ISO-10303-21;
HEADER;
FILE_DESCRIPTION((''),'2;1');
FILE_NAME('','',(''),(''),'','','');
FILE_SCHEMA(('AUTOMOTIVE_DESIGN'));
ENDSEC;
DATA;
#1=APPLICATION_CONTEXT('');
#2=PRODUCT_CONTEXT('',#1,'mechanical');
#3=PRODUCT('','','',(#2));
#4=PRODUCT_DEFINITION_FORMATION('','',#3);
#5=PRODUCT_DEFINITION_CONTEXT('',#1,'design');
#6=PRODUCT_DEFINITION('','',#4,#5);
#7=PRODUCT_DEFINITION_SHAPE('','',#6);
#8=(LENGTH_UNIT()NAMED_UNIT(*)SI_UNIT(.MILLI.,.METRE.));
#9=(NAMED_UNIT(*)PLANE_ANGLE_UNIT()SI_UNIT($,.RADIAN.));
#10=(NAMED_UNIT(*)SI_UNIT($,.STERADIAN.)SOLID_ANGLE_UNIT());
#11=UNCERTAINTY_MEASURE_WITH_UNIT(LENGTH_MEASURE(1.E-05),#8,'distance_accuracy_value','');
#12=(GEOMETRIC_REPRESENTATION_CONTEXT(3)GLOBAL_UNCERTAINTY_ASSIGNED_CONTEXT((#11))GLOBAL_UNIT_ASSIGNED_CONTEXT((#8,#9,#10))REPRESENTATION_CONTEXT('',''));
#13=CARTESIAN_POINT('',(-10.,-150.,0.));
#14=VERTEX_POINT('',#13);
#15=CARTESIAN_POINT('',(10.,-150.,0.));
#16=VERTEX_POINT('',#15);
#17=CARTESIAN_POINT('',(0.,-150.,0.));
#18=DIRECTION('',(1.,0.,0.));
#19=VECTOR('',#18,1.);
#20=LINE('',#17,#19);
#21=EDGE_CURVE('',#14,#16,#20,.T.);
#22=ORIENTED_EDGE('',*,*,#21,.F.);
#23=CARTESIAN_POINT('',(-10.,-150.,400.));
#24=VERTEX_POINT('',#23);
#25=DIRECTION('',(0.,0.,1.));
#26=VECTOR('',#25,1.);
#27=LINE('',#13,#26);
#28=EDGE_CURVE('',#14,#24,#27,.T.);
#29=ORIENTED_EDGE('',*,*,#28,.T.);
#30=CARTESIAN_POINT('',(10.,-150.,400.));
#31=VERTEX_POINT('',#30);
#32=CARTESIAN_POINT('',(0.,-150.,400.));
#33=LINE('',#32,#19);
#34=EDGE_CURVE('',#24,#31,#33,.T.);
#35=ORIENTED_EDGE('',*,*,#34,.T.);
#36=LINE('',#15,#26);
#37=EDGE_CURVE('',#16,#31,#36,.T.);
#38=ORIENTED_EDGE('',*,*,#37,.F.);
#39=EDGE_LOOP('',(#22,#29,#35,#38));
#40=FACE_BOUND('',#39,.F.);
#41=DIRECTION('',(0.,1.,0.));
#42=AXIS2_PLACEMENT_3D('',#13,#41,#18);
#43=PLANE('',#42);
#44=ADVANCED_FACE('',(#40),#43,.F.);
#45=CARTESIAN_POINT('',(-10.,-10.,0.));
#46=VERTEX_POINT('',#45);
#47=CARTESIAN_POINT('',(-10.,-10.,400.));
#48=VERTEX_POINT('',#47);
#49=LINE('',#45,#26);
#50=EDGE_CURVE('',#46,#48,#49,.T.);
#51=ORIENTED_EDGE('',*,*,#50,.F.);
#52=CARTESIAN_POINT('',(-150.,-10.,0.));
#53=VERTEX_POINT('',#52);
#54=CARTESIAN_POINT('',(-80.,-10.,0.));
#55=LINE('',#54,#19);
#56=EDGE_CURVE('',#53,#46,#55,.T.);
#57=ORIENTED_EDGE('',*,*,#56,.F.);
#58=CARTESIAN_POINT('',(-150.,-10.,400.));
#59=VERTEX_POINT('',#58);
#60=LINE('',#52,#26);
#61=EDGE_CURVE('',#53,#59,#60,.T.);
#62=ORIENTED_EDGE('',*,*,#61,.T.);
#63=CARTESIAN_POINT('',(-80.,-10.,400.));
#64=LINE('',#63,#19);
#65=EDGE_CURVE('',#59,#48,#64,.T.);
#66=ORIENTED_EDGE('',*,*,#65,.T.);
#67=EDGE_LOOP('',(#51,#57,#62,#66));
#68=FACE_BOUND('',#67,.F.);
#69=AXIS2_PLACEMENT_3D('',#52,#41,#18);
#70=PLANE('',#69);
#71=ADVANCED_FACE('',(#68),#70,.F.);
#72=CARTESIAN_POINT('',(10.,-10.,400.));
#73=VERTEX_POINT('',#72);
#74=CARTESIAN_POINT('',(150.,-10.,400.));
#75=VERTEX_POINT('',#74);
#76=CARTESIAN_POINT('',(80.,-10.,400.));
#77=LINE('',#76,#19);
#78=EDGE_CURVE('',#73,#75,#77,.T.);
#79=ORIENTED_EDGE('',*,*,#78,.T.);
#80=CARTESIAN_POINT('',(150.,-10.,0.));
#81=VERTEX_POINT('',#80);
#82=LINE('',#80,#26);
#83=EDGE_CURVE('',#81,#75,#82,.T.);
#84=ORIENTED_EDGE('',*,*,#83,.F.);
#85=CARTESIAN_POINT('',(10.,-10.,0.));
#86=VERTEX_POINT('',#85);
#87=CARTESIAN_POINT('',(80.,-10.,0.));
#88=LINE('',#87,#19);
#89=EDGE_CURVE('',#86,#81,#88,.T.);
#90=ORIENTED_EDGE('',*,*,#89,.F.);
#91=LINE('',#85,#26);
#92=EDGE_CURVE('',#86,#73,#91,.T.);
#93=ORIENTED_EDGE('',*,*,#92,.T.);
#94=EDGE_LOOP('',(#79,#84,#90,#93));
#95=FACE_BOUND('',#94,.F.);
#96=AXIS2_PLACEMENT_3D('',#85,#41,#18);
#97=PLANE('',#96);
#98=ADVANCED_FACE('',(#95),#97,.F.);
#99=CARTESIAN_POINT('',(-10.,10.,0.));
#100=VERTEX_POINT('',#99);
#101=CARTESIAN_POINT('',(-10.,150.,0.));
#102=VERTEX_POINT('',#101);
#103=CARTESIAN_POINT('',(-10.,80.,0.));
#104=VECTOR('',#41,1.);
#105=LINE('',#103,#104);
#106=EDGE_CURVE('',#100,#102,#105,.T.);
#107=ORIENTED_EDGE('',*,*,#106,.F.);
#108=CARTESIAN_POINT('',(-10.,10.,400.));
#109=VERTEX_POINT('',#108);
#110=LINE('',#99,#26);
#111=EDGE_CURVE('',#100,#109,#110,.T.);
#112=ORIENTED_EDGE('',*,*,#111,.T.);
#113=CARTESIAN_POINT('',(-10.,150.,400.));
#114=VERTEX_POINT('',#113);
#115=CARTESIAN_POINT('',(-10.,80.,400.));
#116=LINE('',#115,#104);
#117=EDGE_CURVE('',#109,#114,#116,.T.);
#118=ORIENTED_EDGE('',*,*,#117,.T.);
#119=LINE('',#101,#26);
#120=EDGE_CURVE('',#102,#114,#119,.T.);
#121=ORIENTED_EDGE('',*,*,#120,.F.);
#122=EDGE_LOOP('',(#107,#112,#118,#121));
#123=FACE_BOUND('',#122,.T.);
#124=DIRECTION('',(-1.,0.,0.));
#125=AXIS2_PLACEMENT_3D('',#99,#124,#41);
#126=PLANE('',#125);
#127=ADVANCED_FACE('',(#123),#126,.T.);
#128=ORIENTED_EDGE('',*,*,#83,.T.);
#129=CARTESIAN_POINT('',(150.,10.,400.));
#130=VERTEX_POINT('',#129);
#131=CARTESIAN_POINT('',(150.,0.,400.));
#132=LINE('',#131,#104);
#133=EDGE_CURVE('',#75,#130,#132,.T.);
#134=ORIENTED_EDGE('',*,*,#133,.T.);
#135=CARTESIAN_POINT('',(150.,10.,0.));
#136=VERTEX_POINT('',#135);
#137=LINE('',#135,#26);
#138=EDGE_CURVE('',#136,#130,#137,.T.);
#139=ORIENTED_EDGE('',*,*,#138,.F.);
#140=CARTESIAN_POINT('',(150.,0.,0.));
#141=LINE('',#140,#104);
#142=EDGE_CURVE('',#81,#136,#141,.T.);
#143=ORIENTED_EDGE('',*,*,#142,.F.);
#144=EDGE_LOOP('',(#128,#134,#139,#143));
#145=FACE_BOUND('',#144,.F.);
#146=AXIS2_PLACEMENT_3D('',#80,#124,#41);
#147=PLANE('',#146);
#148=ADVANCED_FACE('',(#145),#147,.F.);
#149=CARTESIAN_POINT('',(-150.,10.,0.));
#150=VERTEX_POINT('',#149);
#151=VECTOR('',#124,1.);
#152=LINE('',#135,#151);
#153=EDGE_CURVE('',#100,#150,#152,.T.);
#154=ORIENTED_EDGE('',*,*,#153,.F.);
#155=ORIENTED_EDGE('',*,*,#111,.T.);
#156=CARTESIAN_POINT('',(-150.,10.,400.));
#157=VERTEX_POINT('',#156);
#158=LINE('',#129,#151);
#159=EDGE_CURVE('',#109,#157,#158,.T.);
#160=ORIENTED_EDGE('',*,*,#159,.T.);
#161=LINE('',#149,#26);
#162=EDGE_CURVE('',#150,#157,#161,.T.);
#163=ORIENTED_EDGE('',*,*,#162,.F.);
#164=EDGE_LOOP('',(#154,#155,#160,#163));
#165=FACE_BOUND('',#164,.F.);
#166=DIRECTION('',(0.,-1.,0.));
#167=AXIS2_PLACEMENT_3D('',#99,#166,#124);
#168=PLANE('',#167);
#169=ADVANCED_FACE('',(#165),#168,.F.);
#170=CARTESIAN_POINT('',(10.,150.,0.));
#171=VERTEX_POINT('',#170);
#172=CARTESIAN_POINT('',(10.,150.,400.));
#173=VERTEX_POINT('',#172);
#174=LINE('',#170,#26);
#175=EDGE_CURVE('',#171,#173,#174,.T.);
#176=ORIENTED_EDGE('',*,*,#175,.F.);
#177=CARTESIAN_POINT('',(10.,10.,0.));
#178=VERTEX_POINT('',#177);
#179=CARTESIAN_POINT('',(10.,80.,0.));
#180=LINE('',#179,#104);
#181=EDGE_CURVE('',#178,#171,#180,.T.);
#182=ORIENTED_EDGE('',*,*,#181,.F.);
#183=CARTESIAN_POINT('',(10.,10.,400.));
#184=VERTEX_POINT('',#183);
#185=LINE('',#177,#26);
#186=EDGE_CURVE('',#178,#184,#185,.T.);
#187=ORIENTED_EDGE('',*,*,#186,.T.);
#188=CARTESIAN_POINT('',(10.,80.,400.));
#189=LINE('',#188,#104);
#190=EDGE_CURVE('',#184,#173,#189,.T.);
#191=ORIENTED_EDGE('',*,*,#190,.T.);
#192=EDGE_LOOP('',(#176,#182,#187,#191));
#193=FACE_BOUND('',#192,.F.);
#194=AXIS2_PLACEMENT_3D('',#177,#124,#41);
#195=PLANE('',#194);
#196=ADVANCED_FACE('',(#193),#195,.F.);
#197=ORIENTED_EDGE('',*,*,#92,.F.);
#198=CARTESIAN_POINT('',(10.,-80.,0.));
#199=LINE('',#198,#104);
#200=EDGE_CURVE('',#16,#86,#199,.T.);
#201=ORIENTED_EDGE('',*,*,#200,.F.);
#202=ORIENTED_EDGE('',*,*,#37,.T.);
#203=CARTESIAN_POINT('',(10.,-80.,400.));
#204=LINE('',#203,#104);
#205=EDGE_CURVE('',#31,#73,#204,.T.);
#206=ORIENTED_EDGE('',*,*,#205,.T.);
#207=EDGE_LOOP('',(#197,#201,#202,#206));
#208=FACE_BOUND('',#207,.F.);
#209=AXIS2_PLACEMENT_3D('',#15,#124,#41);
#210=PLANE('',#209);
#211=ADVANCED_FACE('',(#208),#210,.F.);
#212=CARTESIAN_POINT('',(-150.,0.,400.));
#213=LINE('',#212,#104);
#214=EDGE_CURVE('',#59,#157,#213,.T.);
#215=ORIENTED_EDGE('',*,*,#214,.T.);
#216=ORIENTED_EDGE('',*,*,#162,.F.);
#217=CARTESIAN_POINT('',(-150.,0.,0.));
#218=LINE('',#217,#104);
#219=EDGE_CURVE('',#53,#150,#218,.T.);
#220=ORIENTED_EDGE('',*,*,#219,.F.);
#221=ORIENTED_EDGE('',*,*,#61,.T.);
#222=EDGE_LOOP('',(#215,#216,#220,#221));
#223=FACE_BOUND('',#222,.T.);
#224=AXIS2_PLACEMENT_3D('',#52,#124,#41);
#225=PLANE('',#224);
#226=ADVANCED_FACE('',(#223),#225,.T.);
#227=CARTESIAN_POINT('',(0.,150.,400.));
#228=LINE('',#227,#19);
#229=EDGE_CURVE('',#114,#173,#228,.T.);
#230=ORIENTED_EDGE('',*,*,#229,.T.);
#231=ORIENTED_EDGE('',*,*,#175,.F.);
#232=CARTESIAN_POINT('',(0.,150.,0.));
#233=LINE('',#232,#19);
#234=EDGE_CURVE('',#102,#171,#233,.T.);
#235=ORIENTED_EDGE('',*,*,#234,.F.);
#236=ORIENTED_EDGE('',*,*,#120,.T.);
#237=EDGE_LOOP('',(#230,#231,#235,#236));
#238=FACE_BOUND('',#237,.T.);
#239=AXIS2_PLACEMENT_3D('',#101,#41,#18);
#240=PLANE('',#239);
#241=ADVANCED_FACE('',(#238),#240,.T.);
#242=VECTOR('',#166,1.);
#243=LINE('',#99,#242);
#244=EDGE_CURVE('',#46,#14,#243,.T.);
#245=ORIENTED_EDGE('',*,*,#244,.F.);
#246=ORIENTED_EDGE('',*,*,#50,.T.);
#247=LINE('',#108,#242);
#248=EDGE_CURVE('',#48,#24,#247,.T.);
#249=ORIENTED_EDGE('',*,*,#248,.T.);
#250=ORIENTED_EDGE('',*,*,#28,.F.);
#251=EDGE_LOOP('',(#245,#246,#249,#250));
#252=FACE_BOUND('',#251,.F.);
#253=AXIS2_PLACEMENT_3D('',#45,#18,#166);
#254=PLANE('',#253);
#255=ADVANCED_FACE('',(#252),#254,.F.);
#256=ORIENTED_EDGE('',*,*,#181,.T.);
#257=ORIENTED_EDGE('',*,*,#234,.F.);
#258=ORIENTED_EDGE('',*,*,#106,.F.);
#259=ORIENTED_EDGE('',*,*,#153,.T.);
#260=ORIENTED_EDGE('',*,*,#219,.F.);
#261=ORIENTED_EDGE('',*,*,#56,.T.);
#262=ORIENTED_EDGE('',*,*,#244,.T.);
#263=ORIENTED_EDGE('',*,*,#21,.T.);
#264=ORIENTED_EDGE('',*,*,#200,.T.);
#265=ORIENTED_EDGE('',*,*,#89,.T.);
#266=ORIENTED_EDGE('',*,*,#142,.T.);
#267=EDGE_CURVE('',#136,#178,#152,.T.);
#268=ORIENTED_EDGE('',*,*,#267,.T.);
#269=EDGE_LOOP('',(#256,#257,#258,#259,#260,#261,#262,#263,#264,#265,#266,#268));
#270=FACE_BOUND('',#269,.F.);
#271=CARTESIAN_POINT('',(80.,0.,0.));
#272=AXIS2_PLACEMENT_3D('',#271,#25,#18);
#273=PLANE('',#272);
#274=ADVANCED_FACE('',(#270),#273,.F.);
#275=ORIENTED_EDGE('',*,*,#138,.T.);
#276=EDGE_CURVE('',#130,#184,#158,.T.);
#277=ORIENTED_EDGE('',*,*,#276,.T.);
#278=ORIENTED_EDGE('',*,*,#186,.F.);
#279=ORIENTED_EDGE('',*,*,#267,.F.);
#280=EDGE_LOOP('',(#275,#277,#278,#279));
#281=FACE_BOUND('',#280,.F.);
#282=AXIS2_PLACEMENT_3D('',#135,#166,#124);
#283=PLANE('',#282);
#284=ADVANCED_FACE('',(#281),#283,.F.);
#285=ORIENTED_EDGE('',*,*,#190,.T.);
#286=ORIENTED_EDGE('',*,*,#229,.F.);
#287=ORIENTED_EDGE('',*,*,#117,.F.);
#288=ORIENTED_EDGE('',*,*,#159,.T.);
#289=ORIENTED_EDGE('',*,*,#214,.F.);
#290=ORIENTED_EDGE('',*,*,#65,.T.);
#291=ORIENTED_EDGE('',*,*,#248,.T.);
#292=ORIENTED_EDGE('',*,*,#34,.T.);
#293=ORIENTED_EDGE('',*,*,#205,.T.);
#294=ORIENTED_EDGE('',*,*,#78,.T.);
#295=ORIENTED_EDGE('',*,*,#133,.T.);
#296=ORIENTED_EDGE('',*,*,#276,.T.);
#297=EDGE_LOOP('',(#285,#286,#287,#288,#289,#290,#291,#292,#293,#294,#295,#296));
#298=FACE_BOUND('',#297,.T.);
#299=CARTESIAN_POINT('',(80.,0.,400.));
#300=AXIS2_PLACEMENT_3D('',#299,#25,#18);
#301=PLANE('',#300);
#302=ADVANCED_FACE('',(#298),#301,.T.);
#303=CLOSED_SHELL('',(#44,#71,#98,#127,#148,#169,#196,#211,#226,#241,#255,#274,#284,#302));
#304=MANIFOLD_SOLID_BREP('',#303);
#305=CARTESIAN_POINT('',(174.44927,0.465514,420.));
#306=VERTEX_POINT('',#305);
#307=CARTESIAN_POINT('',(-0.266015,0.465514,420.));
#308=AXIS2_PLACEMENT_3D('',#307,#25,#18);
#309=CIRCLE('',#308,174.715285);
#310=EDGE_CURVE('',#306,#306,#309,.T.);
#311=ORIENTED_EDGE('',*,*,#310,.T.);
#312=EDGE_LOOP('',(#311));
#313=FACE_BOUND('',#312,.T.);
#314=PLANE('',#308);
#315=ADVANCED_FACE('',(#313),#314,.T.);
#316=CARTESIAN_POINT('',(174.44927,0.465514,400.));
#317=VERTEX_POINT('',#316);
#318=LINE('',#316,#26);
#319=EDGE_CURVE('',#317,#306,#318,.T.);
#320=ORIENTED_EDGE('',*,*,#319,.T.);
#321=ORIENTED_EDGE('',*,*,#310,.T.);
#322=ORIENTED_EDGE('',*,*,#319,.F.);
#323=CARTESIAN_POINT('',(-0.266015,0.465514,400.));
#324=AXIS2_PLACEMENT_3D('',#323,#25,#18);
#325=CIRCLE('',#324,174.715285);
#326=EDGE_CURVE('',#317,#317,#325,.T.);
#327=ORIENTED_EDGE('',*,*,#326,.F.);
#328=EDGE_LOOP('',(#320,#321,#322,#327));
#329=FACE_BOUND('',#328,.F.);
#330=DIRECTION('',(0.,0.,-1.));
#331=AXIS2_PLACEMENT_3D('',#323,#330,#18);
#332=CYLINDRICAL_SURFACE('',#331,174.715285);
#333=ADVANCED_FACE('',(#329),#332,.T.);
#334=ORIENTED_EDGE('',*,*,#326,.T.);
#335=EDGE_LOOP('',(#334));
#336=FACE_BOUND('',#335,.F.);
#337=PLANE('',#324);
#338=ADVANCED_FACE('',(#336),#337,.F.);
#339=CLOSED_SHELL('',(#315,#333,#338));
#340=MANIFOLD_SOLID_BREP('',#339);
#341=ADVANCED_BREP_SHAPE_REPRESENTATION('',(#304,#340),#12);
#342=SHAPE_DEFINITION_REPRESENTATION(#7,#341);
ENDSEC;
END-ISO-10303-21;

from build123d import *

# Parameters (mm, degrees)
F0_W     = 140
F0_H     = 20
F0_W_2   = 20
F0_H_2   = 140
F1_DEPTH = 400
F2_R     = 174.7152847857
F3_DEPTH = 20


with BuildPart() as f1:
    # F0 (on Top) → F1 (new body)
    with BuildSketch(Plane.XY):
        with Locations((80, 0)):
            Rectangle(F0_W, F0_H)
        with Locations((0, -80)):
            Rectangle(F0_W_2, F0_H_2)
        Rectangle(F0_W_2, F0_H)
        with Locations((-80, 0)):
            Rectangle(F0_W, F0_H)
        with Locations((0, 80)):
            Rectangle(F0_W_2, F0_H_2)
    extrude(amount=F1_DEPTH)


with BuildPart() as f3:
    # F2 (on face) → F3 (new body)
    with BuildSketch(Plane.XY.offset(400)):
        with Locations((-0.2660152095, 0.4655139055)):
            Circle(F2_R)
    extrude(amount=F3_DEPTH)


solid = Compound([f1.part, f3.part])
